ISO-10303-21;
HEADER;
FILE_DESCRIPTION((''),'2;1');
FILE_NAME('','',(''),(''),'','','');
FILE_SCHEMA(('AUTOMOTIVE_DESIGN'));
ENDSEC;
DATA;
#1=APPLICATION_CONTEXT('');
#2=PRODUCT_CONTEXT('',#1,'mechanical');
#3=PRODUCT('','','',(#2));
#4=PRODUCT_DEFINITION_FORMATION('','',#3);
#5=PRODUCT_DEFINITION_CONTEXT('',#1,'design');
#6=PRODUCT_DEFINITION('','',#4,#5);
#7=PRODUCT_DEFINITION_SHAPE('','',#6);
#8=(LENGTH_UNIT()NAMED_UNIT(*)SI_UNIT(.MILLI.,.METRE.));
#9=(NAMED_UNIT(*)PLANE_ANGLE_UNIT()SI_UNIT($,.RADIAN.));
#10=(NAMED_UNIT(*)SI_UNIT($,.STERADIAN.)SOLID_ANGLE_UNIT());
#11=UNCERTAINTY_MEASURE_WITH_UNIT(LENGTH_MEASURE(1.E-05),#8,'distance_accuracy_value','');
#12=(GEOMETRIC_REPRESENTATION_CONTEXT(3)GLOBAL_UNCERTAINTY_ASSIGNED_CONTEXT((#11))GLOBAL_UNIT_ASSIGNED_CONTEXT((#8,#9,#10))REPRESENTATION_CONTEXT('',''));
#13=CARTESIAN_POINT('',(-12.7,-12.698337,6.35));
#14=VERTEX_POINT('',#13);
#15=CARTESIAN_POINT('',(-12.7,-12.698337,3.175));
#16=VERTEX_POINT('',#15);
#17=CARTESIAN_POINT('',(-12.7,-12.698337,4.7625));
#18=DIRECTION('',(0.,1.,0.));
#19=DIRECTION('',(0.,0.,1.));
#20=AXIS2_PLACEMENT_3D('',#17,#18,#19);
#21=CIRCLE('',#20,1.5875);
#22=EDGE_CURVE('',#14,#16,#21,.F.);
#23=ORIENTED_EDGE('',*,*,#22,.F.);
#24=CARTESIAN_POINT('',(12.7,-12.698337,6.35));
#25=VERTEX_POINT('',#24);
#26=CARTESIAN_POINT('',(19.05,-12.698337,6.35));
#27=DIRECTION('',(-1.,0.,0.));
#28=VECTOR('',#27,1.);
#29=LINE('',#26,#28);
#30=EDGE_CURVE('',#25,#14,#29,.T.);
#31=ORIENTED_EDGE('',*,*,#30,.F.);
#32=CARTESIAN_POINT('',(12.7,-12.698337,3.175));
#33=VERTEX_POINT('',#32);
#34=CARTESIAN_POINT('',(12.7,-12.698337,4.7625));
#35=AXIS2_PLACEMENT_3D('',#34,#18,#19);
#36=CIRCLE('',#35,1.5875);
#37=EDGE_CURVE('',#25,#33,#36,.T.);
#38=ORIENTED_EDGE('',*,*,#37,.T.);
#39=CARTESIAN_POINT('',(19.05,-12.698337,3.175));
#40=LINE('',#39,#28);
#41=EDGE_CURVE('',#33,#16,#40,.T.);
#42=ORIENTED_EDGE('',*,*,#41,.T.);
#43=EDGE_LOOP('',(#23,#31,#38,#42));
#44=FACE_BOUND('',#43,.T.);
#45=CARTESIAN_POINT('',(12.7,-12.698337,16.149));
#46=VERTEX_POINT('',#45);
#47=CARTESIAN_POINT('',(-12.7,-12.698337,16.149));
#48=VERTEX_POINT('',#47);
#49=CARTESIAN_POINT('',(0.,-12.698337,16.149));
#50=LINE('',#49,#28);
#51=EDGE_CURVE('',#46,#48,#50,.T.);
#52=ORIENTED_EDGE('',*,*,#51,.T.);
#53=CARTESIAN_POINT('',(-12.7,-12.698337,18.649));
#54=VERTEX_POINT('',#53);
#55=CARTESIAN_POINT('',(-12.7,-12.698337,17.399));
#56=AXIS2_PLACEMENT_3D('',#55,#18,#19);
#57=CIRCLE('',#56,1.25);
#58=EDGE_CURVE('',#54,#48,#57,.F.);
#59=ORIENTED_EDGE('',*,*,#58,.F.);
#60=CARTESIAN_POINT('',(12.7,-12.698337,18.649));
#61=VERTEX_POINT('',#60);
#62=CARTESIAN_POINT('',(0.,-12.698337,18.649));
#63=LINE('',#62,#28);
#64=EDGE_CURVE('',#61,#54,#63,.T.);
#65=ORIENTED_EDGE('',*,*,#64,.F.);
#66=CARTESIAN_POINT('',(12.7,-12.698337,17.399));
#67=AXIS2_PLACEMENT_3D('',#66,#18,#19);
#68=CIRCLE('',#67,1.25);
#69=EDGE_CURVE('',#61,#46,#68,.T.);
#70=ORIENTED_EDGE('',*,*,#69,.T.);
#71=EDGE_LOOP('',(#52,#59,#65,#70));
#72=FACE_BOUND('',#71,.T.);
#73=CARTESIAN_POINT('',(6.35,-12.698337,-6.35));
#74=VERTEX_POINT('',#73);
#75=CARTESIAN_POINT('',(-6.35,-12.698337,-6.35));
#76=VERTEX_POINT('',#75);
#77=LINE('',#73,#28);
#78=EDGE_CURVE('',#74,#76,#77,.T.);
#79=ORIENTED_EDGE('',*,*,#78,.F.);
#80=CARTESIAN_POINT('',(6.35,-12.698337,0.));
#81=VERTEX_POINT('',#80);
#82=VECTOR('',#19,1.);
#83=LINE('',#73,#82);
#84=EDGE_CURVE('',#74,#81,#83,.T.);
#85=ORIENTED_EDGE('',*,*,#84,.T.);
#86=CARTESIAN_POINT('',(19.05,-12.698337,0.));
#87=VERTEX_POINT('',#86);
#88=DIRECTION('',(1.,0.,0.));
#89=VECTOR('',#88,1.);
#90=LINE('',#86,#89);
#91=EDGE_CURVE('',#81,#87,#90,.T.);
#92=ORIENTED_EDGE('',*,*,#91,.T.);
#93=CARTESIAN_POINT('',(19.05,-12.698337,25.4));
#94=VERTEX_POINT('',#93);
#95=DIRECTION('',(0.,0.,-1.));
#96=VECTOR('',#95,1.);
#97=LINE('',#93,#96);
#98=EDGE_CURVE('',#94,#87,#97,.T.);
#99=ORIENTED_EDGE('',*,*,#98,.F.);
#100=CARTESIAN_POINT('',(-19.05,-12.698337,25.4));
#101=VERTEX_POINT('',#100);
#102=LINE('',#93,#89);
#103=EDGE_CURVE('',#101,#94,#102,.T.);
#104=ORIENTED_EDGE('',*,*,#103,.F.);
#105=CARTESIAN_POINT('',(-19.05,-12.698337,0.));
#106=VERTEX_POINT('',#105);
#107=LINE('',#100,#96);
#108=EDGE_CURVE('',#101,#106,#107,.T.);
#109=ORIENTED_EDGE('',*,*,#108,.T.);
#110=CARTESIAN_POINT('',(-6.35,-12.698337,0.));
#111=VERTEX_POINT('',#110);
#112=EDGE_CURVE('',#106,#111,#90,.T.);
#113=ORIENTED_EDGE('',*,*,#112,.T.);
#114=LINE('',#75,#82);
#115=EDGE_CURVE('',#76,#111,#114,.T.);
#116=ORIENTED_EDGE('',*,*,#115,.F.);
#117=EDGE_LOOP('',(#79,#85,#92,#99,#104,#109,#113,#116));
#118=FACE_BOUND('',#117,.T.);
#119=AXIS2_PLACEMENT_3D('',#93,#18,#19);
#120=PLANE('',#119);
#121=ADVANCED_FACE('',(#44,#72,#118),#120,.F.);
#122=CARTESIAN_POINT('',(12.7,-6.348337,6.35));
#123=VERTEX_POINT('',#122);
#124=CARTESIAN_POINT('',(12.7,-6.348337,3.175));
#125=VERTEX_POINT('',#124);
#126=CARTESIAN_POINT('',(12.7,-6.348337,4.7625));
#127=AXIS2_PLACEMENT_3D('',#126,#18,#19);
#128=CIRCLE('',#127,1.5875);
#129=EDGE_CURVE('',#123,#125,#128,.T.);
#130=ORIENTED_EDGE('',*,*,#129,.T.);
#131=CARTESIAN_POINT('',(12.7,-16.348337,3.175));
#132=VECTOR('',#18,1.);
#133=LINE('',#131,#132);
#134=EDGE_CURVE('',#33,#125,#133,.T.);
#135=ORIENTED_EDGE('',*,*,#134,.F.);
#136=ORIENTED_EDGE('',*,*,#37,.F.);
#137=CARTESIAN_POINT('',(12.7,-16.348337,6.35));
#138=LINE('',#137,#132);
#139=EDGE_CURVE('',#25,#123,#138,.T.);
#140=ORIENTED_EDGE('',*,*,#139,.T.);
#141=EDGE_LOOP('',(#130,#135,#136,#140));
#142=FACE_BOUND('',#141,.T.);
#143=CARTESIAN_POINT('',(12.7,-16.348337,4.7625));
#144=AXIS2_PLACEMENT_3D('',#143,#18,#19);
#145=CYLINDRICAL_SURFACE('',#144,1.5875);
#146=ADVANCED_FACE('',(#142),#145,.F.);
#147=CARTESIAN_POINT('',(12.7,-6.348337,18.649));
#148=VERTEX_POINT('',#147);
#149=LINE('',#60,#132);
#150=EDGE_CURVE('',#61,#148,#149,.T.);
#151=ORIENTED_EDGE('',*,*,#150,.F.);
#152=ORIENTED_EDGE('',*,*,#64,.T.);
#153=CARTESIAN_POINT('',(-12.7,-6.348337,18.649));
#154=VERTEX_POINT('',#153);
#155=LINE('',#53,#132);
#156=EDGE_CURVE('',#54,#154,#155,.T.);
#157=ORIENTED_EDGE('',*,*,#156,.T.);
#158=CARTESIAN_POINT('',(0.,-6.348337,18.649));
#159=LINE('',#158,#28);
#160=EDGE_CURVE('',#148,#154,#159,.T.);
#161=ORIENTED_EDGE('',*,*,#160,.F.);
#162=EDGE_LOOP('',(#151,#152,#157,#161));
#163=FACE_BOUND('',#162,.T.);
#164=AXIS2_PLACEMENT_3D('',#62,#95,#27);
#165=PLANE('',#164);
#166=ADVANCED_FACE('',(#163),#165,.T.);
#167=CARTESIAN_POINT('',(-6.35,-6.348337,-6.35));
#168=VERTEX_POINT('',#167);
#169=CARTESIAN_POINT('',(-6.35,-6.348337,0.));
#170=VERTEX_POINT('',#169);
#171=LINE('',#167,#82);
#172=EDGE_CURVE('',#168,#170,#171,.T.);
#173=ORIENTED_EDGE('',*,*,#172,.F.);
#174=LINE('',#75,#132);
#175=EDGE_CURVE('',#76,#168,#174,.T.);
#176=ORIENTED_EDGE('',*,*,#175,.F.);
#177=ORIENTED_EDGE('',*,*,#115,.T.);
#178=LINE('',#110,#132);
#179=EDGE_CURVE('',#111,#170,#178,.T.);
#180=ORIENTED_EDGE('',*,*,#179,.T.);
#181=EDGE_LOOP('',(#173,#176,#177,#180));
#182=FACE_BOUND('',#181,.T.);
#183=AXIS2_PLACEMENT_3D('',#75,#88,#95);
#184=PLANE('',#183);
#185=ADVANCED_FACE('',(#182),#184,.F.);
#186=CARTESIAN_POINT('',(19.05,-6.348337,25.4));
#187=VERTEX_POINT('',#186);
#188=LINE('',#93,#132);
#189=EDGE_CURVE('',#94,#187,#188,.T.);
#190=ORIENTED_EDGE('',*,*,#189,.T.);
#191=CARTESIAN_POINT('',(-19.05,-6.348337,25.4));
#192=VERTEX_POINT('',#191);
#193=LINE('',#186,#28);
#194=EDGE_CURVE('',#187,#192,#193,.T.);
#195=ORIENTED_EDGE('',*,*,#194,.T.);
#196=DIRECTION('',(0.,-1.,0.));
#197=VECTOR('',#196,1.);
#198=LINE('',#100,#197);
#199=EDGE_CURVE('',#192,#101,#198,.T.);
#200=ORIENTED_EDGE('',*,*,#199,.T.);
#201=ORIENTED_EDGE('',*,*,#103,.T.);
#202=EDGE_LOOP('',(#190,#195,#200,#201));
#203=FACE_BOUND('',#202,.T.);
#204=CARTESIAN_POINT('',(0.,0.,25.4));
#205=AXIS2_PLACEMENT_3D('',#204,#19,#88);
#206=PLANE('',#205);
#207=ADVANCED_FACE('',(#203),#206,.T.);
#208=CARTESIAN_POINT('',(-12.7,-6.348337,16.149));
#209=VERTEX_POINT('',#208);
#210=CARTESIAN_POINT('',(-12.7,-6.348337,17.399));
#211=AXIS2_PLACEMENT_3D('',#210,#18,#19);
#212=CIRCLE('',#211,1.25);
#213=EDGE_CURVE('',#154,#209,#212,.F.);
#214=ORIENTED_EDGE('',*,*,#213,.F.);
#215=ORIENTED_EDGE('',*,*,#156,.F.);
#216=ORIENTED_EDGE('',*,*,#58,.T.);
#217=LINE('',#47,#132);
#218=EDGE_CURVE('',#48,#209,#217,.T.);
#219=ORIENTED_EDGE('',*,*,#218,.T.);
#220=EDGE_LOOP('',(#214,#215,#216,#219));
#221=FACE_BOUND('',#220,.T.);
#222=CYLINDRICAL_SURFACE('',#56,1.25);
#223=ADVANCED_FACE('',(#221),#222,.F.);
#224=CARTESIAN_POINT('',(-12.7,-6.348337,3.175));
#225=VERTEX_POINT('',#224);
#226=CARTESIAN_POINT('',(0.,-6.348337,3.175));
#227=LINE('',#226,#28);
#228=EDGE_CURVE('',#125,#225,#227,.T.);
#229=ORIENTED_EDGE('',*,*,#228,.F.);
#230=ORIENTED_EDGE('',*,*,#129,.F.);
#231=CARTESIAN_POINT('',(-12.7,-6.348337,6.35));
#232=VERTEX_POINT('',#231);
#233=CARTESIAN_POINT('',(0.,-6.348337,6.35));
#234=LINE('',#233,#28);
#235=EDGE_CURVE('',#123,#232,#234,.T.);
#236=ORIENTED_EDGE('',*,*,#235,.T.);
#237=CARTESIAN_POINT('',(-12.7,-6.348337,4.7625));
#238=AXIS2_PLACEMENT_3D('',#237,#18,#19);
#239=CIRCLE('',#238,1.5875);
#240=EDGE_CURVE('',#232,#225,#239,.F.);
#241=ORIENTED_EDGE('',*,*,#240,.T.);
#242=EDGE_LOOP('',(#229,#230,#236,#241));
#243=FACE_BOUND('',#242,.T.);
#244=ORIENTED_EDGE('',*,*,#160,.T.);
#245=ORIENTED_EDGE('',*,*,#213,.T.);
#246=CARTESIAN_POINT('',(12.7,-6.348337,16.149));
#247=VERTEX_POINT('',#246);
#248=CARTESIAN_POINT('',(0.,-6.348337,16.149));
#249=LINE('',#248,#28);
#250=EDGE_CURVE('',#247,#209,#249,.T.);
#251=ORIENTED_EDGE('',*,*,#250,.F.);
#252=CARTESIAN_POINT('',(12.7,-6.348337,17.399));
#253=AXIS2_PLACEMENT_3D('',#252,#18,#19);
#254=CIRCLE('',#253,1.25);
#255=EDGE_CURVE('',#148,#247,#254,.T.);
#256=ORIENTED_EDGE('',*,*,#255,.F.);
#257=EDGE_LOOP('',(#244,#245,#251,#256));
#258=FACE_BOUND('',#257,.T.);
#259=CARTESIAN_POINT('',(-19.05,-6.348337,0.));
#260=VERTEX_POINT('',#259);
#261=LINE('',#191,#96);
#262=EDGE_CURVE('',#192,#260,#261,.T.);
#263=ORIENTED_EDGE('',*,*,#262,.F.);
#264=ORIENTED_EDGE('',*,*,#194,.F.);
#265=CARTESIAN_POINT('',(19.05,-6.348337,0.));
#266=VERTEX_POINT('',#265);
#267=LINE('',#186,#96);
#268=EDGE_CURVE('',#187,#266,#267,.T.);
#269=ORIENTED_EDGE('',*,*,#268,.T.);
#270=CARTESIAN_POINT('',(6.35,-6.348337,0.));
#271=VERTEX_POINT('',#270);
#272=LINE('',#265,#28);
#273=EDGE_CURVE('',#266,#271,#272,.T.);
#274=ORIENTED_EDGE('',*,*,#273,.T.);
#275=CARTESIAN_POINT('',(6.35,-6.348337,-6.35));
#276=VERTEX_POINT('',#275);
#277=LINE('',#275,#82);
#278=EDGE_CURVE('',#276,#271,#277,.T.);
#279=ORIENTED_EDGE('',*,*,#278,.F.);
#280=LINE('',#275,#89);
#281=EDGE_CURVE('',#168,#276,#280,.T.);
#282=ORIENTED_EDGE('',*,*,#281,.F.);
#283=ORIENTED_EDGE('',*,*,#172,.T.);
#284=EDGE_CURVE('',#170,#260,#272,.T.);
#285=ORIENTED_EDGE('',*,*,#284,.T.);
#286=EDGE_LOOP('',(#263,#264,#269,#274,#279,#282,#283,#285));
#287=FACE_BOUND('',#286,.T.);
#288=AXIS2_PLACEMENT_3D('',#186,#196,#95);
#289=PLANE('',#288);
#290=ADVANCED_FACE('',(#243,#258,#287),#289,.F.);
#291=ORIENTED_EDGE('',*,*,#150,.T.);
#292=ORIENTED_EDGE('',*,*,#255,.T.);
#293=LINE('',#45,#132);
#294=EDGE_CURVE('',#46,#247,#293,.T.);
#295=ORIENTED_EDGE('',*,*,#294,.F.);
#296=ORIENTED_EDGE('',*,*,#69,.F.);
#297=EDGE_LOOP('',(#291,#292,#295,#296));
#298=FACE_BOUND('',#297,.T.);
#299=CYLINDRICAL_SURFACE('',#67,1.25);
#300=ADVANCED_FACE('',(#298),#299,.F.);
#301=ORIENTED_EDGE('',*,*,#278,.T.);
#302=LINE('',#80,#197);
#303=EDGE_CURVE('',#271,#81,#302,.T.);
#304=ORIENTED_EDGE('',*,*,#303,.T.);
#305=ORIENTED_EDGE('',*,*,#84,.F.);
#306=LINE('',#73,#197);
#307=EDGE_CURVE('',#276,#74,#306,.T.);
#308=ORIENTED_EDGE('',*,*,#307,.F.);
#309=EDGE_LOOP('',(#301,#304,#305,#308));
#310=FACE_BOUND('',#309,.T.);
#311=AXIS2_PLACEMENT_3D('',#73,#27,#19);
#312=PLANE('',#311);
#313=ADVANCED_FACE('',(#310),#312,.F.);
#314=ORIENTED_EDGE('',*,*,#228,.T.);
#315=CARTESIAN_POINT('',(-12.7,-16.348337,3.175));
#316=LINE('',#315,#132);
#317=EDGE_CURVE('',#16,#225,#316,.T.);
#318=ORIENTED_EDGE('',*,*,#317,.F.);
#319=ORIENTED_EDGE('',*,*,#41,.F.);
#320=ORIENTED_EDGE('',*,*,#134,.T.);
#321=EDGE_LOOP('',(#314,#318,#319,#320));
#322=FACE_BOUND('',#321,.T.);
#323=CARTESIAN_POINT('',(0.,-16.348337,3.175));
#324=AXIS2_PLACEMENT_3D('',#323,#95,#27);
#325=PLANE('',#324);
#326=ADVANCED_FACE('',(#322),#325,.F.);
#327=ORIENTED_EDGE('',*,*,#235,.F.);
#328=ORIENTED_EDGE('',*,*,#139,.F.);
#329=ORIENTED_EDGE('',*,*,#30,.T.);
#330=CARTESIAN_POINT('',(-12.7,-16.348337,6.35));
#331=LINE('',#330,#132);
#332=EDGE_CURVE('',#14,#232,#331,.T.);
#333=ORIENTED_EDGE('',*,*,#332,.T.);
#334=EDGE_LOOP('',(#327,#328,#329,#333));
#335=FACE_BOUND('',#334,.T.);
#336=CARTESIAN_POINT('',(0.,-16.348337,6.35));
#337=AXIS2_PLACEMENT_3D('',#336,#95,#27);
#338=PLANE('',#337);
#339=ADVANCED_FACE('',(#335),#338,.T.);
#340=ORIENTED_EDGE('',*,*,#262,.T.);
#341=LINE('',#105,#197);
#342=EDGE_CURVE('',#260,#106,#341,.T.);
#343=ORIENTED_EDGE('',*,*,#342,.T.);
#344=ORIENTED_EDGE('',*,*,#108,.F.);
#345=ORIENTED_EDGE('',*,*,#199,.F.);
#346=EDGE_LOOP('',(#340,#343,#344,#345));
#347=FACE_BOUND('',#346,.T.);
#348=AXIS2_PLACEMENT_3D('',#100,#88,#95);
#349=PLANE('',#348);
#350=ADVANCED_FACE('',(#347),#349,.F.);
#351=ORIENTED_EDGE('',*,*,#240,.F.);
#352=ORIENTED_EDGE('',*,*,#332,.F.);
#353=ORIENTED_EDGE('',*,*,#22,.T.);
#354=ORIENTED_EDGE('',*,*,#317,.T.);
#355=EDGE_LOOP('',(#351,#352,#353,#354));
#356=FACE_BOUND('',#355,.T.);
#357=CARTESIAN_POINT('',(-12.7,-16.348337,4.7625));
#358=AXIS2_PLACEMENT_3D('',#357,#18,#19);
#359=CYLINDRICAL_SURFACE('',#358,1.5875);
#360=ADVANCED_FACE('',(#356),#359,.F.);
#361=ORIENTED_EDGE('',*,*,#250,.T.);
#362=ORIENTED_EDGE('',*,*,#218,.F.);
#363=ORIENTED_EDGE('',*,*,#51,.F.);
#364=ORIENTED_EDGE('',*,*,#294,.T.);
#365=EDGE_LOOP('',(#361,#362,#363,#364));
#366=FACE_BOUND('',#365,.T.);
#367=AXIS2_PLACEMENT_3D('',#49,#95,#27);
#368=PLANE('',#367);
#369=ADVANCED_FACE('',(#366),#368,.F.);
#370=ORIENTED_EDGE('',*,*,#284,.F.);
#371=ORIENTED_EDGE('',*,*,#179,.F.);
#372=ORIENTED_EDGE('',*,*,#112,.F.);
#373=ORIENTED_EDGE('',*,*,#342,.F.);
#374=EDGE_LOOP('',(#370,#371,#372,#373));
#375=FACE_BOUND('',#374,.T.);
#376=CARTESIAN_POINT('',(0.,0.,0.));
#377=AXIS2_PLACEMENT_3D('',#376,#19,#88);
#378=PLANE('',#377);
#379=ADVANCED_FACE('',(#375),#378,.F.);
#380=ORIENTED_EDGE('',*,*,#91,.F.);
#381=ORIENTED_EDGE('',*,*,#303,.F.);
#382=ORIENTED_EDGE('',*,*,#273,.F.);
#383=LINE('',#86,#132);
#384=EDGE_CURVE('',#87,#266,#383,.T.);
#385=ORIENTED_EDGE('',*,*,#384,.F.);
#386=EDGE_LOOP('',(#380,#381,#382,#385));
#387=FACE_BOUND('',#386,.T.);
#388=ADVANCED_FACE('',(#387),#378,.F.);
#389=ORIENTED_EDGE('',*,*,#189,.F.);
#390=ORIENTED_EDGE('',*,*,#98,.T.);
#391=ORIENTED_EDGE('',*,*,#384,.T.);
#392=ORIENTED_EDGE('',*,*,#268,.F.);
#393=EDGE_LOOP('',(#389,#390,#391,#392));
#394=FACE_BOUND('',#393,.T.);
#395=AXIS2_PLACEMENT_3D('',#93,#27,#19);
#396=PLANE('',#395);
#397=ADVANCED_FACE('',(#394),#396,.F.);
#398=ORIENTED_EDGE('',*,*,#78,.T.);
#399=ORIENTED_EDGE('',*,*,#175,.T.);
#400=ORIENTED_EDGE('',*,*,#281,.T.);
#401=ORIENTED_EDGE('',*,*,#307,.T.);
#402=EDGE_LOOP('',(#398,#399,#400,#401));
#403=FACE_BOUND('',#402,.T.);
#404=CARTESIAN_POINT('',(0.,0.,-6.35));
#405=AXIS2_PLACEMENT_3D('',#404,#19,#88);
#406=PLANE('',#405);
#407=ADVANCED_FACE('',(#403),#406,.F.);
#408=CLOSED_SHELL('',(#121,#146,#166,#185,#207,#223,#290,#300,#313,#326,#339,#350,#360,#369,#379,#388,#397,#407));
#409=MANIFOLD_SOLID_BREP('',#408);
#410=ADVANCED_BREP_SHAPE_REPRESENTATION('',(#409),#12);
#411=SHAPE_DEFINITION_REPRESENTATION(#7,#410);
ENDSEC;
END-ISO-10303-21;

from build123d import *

# Parameters (mm, degrees)
SKETCH1_W           = 38.1
SKETCH1_H           = 6.35
BOSS_EXTRUDE1_DEPTH = 25.4
SKETCH2_W           = 25.4
SKETCH2_H           = 2.5
CUT_EXTRUDE1_DEPTH  = 33.378773911
SKETCH3_W           = 12.7
SKETCH3_H           = 6.35
BOSS_EXTRUDE4_DEPTH = 6.35
SKETCH4_W           = 12.7
SKETCH4_H           = 3.175
CUT_EXTRUDE2_DEPTH  = 10


with BuildPart() as part:
    # Sketch1 → Boss-Extrude1 (new body)
    with BuildSketch(Plane.XY):
        with Locations((0, -9.523336827)):
            Rectangle(SKETCH1_W, SKETCH1_H)
    extrude(amount=BOSS_EXTRUDE1_DEPTH)

    # Sketch2 → Cut-Extrude1 (cut, through all)
    with BuildSketch(Plane(origin=(0, -6.348336827, 0), x_dir=(1, 0, 0), z_dir=(0, 1, 0))):
        with Locations((0, -17.399)):
            Rectangle(SKETCH2_W, SKETCH2_H)
        with BuildLine():
            Line((12.7, -18.649), (12.7, -16.149))
            ThreePointArc((12.7, -16.149), (13.95, -17.399), (12.7, -18.649))
        make_face()
        with BuildLine():
            ThreePointArc((-12.7, -18.649), (-13.95, -17.399), (-12.7, -16.149))
            Line((-12.7, -16.149), (-12.7, -18.649))
        make_face()
    extrude(amount=-CUT_EXTRUDE1_DEPTH, mode=Mode.SUBTRACT)

    # Sketch3 → Boss-Extrude4 (add)
    with BuildSketch(Plane(origin=(0, 0, 0), x_dir=(-1, 0, 0), z_dir=(0, 0, -1))):
        with Locations((0, -9.523336827)):
            Rectangle(SKETCH3_W, SKETCH3_H)
    extrude(amount=BOSS_EXTRUDE4_DEPTH)

    # Sketch4 → Cut-Extrude2 (cut)
    with BuildSketch(Plane(origin=(0, -6.348336827, 0), x_dir=(1, 0, 0), z_dir=(0, 1, 0))):
        with Locations((-6.35, -4.7625)):
            Rectangle(SKETCH4_W, SKETCH4_H)
        with BuildLine():
            ThreePointArc((-12.7, -6.35), (-14.2875, -4.7625), (-12.7, -3.175))
            Line((-12.7, -3.175), (-12.7, -6.35))
        make_face()
        with Locations((6.35, -4.7625)):
            Rectangle(SKETCH4_W, SKETCH4_H)
        with BuildLine():
            Line((12.7, -6.35), (12.7, -3.175))
            ThreePointArc((12.7, -3.175), (14.2875, -4.7625), (12.7, -6.35))
        make_face()
    extrude(amount=-CUT_EXTRUDE2_DEPTH, mode=Mode.SUBTRACT)


solid = part.part
